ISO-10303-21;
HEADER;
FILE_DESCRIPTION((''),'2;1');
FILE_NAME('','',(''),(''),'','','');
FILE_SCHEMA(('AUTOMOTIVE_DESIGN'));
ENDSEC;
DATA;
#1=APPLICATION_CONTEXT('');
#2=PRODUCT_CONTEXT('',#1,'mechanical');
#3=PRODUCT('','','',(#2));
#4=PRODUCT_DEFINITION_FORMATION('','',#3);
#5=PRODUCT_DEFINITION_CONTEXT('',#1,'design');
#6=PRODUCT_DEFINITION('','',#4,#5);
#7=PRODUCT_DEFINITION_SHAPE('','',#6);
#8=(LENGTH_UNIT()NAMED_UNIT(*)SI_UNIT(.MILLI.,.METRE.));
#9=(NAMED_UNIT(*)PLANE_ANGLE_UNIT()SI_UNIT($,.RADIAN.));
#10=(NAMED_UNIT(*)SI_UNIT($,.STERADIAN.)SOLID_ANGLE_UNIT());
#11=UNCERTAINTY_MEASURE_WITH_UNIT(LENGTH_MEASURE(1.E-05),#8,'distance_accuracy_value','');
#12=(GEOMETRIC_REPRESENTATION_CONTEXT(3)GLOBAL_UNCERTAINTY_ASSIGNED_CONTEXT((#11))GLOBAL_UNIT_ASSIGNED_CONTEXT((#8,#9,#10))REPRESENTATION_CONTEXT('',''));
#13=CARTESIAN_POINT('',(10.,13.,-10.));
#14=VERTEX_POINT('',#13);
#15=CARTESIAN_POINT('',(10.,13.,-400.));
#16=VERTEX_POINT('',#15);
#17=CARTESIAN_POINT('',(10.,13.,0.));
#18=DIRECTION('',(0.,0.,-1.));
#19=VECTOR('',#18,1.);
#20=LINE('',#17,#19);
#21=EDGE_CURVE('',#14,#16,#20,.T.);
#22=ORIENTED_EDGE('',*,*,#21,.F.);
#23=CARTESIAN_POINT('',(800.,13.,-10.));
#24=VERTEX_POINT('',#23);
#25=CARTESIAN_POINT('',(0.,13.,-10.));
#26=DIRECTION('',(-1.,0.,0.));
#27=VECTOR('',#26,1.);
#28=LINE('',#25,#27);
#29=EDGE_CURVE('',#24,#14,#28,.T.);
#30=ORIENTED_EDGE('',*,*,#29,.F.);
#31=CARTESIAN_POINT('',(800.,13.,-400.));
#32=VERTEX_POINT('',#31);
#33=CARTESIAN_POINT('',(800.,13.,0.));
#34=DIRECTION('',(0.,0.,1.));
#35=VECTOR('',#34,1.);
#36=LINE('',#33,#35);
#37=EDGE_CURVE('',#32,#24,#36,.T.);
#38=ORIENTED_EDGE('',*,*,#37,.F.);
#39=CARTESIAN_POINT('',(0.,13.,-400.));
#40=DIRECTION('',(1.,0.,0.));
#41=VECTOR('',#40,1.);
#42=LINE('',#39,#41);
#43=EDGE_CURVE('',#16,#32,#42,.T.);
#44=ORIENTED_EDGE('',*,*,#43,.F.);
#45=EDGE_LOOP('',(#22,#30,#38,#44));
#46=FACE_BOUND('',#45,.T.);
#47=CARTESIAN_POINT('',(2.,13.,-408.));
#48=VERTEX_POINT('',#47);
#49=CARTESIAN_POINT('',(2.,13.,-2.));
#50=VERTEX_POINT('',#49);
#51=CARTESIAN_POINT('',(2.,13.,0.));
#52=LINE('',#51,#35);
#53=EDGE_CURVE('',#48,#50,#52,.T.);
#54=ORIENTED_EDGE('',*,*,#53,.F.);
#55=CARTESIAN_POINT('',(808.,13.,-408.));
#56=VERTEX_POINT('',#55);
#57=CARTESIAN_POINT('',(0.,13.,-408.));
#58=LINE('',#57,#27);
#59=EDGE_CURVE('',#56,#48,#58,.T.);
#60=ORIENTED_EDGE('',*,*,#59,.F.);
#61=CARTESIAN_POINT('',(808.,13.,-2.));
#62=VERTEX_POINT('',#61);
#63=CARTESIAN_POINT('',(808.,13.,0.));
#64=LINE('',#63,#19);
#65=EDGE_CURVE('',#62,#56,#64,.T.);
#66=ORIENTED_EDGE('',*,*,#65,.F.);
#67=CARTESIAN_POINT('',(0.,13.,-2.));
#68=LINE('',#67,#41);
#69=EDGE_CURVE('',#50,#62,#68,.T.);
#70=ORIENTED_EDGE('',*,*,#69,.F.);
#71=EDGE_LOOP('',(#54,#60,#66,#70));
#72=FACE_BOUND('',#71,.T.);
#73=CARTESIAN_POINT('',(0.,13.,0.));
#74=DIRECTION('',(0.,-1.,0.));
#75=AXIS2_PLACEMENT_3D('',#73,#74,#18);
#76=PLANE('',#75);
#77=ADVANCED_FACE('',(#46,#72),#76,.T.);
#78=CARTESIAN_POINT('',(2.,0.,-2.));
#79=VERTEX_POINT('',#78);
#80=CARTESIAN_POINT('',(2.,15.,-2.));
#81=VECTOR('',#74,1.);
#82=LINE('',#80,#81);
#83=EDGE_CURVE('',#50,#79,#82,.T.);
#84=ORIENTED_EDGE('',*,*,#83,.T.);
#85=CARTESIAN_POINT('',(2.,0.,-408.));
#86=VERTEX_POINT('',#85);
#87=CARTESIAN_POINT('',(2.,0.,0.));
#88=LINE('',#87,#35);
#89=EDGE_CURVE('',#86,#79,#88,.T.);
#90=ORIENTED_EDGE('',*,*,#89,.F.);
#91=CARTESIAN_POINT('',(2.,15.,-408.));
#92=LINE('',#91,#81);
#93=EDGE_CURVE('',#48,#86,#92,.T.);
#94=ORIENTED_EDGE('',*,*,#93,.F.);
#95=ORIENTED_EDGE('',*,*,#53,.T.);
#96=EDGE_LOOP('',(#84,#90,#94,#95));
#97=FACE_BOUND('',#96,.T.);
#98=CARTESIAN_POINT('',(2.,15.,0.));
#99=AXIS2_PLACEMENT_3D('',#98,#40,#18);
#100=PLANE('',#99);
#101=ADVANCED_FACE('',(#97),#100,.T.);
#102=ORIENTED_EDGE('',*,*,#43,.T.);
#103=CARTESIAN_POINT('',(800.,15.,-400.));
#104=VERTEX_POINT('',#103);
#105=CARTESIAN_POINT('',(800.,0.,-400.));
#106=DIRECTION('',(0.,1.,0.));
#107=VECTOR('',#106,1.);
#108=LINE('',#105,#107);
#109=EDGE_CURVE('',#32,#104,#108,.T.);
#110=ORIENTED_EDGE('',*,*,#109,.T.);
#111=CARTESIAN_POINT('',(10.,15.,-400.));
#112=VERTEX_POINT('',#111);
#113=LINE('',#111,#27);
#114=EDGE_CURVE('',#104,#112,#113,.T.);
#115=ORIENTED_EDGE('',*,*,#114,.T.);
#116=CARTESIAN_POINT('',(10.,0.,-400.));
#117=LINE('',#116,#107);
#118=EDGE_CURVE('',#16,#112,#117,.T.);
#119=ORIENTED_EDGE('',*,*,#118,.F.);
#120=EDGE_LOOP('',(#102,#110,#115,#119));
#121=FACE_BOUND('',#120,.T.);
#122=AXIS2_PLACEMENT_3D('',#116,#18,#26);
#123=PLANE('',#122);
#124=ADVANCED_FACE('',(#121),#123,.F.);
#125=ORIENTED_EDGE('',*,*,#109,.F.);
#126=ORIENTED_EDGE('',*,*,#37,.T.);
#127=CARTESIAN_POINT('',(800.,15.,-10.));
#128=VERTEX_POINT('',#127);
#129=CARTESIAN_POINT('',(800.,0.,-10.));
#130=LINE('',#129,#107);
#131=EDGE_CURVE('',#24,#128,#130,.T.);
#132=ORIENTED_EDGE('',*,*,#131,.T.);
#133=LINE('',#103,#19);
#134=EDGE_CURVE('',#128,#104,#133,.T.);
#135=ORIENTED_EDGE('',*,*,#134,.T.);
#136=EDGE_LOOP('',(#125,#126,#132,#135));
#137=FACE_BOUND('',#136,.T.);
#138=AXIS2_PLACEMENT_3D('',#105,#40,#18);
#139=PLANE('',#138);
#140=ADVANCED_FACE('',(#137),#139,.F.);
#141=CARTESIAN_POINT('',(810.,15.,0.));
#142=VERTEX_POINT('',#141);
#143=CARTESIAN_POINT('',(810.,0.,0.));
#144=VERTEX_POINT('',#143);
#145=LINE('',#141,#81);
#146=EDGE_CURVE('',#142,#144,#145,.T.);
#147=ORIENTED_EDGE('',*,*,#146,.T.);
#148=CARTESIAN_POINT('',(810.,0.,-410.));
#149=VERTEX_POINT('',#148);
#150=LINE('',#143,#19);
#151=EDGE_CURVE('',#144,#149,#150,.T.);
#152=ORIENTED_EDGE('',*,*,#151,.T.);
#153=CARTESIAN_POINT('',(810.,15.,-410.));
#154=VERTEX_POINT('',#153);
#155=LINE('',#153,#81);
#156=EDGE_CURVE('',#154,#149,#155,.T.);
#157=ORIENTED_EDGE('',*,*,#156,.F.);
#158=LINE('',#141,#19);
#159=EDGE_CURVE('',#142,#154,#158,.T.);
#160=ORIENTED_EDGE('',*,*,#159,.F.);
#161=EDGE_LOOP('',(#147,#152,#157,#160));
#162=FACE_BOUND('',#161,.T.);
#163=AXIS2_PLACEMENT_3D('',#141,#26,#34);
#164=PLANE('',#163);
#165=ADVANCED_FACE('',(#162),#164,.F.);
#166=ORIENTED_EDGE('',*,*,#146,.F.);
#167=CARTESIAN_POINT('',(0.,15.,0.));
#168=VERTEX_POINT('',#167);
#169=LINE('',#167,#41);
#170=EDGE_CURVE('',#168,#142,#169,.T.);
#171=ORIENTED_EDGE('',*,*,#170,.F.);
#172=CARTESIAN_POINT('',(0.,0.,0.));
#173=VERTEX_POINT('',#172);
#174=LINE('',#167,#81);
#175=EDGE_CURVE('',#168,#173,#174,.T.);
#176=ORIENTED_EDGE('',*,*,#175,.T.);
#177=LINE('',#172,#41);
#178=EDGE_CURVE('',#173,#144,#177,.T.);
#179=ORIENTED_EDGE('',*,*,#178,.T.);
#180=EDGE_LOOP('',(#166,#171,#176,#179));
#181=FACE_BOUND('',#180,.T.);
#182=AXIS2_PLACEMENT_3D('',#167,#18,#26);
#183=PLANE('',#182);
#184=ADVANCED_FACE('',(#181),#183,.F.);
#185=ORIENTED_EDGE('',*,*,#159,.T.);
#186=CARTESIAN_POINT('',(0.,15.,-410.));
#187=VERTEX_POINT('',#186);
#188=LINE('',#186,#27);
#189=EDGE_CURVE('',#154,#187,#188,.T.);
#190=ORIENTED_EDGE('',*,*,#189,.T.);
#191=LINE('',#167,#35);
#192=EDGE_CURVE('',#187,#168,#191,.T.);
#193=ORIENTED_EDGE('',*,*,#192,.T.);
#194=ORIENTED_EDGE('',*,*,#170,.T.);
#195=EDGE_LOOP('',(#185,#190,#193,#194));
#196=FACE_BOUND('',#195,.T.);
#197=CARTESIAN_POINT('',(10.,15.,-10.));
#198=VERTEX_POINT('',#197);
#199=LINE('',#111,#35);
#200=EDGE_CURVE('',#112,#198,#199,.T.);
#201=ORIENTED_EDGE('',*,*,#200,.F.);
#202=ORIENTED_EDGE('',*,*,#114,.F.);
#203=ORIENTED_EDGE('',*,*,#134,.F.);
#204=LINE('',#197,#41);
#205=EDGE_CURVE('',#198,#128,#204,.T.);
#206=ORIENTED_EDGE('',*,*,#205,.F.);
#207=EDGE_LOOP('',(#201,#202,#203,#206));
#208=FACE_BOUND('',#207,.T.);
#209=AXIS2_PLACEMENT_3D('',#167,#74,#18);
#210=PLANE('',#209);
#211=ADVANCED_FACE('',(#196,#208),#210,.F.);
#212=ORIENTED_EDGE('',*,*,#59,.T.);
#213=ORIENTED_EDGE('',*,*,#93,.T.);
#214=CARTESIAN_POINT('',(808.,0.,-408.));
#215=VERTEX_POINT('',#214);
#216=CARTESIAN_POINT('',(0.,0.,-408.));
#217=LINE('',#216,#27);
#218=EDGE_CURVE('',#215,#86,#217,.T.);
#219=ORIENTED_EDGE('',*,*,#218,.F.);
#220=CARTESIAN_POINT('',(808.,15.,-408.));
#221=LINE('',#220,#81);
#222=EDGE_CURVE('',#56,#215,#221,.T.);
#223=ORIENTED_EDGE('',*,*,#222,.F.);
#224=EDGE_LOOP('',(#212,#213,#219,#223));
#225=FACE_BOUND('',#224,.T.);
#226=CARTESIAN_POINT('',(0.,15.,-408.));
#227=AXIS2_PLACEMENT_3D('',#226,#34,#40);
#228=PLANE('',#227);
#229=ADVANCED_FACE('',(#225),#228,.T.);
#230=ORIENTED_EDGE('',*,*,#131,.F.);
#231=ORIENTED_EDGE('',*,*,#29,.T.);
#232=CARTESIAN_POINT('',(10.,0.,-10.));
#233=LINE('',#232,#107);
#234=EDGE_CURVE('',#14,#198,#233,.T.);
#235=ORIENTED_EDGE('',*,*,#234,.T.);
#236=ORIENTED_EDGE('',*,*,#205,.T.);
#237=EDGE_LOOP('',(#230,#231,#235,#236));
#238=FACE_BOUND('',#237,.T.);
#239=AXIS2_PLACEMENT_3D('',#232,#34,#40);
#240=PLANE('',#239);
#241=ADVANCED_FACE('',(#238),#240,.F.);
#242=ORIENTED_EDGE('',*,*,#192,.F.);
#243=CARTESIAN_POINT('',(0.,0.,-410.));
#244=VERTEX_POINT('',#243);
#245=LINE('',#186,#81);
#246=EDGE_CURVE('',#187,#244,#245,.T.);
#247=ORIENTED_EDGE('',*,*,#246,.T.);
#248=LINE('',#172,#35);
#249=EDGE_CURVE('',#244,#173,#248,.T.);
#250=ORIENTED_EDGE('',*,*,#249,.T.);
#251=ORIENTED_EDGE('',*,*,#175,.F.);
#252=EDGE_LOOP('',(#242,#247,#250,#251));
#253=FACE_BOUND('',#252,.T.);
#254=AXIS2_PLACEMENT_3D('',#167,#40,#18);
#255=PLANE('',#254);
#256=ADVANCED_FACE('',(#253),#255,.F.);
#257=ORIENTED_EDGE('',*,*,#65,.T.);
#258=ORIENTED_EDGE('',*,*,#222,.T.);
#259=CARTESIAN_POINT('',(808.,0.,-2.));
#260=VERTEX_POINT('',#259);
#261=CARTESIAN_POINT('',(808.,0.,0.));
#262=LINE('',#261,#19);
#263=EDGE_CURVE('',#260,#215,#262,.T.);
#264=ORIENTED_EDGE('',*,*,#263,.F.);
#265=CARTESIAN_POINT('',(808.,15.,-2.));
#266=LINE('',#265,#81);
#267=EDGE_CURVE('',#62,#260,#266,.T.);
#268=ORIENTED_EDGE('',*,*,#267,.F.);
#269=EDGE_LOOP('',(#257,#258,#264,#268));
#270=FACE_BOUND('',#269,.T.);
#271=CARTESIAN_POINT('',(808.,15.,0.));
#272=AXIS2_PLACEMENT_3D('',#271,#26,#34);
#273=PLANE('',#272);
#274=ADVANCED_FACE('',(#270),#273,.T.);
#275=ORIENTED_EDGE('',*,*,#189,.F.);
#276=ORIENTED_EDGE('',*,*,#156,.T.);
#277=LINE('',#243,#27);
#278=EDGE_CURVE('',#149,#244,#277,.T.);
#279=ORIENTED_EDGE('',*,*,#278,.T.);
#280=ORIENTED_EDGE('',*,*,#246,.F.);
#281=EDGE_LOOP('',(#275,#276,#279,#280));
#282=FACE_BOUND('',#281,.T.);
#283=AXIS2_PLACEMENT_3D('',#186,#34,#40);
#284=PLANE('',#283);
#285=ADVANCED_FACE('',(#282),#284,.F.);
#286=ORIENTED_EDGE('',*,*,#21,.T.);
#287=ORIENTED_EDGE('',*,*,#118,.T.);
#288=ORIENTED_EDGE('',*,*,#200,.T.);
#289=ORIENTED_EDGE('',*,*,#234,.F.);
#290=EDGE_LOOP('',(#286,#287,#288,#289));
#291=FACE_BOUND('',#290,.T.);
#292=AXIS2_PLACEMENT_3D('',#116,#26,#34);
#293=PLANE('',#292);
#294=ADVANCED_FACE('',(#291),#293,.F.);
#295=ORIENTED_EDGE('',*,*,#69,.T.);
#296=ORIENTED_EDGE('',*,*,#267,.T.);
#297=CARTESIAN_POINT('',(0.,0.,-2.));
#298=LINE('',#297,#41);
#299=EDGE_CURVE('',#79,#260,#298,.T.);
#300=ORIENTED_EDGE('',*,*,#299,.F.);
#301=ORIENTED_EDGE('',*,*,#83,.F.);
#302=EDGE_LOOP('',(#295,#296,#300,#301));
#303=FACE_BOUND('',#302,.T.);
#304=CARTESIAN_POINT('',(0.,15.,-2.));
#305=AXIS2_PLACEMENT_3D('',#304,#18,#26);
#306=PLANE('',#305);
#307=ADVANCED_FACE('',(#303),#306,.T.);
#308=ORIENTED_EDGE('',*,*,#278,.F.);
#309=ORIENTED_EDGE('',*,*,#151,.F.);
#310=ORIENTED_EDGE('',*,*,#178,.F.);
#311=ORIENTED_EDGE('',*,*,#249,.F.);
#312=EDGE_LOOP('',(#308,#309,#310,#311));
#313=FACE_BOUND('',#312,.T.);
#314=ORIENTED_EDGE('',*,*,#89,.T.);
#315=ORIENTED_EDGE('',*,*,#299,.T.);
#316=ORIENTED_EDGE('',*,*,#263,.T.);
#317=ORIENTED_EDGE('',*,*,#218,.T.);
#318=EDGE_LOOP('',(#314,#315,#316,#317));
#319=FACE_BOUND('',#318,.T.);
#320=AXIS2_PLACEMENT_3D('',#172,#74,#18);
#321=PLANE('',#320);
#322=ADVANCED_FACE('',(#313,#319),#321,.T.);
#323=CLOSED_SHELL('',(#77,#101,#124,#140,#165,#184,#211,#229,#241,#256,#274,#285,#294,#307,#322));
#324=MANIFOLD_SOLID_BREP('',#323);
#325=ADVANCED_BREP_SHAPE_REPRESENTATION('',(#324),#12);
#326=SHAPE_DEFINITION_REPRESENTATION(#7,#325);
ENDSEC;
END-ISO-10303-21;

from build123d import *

# Parameters (mm, degrees)
SKETCH1_W           = 810
SKETCH1_H           = 410
BOSS_EXTRUDE1_DEPTH = 15
SHELL1_T            = -2
SKETCH2_W           = 790
SKETCH2_H           = 390
CUT_EXTRUDE1_DEPTH  = 15


with BuildPart() as part:
    # Sketch1 → Boss-Extrude1 (new body)
    with BuildSketch(Plane(origin=(0, 0, 0), x_dir=(1, 0, 0), z_dir=(0, 1, 0))):
        with Locations((405, 205)):
            Rectangle(SKETCH1_W, SKETCH1_H)
    extrude(amount=BOSS_EXTRUDE1_DEPTH)

    # Shell1
    shell1_openings = [part.faces().sort_by_distance(p)[0] for p in [
        (405, 0, -205),
    ]]
    offset(amount=SHELL1_T, openings=shell1_openings, kind=Kind.INTERSECTION)

    # Sketch2 → Cut-Extrude1 (cut)
    with BuildSketch(Plane(origin=(0, 15, 0), x_dir=(1, 0, 0), z_dir=(0, 1, 0))):
        with Locations((405, 205)):
            Rectangle(SKETCH2_W, SKETCH2_H)
    extrude(amount=-CUT_EXTRUDE1_DEPTH, mode=Mode.SUBTRACT)


solid = part.part
